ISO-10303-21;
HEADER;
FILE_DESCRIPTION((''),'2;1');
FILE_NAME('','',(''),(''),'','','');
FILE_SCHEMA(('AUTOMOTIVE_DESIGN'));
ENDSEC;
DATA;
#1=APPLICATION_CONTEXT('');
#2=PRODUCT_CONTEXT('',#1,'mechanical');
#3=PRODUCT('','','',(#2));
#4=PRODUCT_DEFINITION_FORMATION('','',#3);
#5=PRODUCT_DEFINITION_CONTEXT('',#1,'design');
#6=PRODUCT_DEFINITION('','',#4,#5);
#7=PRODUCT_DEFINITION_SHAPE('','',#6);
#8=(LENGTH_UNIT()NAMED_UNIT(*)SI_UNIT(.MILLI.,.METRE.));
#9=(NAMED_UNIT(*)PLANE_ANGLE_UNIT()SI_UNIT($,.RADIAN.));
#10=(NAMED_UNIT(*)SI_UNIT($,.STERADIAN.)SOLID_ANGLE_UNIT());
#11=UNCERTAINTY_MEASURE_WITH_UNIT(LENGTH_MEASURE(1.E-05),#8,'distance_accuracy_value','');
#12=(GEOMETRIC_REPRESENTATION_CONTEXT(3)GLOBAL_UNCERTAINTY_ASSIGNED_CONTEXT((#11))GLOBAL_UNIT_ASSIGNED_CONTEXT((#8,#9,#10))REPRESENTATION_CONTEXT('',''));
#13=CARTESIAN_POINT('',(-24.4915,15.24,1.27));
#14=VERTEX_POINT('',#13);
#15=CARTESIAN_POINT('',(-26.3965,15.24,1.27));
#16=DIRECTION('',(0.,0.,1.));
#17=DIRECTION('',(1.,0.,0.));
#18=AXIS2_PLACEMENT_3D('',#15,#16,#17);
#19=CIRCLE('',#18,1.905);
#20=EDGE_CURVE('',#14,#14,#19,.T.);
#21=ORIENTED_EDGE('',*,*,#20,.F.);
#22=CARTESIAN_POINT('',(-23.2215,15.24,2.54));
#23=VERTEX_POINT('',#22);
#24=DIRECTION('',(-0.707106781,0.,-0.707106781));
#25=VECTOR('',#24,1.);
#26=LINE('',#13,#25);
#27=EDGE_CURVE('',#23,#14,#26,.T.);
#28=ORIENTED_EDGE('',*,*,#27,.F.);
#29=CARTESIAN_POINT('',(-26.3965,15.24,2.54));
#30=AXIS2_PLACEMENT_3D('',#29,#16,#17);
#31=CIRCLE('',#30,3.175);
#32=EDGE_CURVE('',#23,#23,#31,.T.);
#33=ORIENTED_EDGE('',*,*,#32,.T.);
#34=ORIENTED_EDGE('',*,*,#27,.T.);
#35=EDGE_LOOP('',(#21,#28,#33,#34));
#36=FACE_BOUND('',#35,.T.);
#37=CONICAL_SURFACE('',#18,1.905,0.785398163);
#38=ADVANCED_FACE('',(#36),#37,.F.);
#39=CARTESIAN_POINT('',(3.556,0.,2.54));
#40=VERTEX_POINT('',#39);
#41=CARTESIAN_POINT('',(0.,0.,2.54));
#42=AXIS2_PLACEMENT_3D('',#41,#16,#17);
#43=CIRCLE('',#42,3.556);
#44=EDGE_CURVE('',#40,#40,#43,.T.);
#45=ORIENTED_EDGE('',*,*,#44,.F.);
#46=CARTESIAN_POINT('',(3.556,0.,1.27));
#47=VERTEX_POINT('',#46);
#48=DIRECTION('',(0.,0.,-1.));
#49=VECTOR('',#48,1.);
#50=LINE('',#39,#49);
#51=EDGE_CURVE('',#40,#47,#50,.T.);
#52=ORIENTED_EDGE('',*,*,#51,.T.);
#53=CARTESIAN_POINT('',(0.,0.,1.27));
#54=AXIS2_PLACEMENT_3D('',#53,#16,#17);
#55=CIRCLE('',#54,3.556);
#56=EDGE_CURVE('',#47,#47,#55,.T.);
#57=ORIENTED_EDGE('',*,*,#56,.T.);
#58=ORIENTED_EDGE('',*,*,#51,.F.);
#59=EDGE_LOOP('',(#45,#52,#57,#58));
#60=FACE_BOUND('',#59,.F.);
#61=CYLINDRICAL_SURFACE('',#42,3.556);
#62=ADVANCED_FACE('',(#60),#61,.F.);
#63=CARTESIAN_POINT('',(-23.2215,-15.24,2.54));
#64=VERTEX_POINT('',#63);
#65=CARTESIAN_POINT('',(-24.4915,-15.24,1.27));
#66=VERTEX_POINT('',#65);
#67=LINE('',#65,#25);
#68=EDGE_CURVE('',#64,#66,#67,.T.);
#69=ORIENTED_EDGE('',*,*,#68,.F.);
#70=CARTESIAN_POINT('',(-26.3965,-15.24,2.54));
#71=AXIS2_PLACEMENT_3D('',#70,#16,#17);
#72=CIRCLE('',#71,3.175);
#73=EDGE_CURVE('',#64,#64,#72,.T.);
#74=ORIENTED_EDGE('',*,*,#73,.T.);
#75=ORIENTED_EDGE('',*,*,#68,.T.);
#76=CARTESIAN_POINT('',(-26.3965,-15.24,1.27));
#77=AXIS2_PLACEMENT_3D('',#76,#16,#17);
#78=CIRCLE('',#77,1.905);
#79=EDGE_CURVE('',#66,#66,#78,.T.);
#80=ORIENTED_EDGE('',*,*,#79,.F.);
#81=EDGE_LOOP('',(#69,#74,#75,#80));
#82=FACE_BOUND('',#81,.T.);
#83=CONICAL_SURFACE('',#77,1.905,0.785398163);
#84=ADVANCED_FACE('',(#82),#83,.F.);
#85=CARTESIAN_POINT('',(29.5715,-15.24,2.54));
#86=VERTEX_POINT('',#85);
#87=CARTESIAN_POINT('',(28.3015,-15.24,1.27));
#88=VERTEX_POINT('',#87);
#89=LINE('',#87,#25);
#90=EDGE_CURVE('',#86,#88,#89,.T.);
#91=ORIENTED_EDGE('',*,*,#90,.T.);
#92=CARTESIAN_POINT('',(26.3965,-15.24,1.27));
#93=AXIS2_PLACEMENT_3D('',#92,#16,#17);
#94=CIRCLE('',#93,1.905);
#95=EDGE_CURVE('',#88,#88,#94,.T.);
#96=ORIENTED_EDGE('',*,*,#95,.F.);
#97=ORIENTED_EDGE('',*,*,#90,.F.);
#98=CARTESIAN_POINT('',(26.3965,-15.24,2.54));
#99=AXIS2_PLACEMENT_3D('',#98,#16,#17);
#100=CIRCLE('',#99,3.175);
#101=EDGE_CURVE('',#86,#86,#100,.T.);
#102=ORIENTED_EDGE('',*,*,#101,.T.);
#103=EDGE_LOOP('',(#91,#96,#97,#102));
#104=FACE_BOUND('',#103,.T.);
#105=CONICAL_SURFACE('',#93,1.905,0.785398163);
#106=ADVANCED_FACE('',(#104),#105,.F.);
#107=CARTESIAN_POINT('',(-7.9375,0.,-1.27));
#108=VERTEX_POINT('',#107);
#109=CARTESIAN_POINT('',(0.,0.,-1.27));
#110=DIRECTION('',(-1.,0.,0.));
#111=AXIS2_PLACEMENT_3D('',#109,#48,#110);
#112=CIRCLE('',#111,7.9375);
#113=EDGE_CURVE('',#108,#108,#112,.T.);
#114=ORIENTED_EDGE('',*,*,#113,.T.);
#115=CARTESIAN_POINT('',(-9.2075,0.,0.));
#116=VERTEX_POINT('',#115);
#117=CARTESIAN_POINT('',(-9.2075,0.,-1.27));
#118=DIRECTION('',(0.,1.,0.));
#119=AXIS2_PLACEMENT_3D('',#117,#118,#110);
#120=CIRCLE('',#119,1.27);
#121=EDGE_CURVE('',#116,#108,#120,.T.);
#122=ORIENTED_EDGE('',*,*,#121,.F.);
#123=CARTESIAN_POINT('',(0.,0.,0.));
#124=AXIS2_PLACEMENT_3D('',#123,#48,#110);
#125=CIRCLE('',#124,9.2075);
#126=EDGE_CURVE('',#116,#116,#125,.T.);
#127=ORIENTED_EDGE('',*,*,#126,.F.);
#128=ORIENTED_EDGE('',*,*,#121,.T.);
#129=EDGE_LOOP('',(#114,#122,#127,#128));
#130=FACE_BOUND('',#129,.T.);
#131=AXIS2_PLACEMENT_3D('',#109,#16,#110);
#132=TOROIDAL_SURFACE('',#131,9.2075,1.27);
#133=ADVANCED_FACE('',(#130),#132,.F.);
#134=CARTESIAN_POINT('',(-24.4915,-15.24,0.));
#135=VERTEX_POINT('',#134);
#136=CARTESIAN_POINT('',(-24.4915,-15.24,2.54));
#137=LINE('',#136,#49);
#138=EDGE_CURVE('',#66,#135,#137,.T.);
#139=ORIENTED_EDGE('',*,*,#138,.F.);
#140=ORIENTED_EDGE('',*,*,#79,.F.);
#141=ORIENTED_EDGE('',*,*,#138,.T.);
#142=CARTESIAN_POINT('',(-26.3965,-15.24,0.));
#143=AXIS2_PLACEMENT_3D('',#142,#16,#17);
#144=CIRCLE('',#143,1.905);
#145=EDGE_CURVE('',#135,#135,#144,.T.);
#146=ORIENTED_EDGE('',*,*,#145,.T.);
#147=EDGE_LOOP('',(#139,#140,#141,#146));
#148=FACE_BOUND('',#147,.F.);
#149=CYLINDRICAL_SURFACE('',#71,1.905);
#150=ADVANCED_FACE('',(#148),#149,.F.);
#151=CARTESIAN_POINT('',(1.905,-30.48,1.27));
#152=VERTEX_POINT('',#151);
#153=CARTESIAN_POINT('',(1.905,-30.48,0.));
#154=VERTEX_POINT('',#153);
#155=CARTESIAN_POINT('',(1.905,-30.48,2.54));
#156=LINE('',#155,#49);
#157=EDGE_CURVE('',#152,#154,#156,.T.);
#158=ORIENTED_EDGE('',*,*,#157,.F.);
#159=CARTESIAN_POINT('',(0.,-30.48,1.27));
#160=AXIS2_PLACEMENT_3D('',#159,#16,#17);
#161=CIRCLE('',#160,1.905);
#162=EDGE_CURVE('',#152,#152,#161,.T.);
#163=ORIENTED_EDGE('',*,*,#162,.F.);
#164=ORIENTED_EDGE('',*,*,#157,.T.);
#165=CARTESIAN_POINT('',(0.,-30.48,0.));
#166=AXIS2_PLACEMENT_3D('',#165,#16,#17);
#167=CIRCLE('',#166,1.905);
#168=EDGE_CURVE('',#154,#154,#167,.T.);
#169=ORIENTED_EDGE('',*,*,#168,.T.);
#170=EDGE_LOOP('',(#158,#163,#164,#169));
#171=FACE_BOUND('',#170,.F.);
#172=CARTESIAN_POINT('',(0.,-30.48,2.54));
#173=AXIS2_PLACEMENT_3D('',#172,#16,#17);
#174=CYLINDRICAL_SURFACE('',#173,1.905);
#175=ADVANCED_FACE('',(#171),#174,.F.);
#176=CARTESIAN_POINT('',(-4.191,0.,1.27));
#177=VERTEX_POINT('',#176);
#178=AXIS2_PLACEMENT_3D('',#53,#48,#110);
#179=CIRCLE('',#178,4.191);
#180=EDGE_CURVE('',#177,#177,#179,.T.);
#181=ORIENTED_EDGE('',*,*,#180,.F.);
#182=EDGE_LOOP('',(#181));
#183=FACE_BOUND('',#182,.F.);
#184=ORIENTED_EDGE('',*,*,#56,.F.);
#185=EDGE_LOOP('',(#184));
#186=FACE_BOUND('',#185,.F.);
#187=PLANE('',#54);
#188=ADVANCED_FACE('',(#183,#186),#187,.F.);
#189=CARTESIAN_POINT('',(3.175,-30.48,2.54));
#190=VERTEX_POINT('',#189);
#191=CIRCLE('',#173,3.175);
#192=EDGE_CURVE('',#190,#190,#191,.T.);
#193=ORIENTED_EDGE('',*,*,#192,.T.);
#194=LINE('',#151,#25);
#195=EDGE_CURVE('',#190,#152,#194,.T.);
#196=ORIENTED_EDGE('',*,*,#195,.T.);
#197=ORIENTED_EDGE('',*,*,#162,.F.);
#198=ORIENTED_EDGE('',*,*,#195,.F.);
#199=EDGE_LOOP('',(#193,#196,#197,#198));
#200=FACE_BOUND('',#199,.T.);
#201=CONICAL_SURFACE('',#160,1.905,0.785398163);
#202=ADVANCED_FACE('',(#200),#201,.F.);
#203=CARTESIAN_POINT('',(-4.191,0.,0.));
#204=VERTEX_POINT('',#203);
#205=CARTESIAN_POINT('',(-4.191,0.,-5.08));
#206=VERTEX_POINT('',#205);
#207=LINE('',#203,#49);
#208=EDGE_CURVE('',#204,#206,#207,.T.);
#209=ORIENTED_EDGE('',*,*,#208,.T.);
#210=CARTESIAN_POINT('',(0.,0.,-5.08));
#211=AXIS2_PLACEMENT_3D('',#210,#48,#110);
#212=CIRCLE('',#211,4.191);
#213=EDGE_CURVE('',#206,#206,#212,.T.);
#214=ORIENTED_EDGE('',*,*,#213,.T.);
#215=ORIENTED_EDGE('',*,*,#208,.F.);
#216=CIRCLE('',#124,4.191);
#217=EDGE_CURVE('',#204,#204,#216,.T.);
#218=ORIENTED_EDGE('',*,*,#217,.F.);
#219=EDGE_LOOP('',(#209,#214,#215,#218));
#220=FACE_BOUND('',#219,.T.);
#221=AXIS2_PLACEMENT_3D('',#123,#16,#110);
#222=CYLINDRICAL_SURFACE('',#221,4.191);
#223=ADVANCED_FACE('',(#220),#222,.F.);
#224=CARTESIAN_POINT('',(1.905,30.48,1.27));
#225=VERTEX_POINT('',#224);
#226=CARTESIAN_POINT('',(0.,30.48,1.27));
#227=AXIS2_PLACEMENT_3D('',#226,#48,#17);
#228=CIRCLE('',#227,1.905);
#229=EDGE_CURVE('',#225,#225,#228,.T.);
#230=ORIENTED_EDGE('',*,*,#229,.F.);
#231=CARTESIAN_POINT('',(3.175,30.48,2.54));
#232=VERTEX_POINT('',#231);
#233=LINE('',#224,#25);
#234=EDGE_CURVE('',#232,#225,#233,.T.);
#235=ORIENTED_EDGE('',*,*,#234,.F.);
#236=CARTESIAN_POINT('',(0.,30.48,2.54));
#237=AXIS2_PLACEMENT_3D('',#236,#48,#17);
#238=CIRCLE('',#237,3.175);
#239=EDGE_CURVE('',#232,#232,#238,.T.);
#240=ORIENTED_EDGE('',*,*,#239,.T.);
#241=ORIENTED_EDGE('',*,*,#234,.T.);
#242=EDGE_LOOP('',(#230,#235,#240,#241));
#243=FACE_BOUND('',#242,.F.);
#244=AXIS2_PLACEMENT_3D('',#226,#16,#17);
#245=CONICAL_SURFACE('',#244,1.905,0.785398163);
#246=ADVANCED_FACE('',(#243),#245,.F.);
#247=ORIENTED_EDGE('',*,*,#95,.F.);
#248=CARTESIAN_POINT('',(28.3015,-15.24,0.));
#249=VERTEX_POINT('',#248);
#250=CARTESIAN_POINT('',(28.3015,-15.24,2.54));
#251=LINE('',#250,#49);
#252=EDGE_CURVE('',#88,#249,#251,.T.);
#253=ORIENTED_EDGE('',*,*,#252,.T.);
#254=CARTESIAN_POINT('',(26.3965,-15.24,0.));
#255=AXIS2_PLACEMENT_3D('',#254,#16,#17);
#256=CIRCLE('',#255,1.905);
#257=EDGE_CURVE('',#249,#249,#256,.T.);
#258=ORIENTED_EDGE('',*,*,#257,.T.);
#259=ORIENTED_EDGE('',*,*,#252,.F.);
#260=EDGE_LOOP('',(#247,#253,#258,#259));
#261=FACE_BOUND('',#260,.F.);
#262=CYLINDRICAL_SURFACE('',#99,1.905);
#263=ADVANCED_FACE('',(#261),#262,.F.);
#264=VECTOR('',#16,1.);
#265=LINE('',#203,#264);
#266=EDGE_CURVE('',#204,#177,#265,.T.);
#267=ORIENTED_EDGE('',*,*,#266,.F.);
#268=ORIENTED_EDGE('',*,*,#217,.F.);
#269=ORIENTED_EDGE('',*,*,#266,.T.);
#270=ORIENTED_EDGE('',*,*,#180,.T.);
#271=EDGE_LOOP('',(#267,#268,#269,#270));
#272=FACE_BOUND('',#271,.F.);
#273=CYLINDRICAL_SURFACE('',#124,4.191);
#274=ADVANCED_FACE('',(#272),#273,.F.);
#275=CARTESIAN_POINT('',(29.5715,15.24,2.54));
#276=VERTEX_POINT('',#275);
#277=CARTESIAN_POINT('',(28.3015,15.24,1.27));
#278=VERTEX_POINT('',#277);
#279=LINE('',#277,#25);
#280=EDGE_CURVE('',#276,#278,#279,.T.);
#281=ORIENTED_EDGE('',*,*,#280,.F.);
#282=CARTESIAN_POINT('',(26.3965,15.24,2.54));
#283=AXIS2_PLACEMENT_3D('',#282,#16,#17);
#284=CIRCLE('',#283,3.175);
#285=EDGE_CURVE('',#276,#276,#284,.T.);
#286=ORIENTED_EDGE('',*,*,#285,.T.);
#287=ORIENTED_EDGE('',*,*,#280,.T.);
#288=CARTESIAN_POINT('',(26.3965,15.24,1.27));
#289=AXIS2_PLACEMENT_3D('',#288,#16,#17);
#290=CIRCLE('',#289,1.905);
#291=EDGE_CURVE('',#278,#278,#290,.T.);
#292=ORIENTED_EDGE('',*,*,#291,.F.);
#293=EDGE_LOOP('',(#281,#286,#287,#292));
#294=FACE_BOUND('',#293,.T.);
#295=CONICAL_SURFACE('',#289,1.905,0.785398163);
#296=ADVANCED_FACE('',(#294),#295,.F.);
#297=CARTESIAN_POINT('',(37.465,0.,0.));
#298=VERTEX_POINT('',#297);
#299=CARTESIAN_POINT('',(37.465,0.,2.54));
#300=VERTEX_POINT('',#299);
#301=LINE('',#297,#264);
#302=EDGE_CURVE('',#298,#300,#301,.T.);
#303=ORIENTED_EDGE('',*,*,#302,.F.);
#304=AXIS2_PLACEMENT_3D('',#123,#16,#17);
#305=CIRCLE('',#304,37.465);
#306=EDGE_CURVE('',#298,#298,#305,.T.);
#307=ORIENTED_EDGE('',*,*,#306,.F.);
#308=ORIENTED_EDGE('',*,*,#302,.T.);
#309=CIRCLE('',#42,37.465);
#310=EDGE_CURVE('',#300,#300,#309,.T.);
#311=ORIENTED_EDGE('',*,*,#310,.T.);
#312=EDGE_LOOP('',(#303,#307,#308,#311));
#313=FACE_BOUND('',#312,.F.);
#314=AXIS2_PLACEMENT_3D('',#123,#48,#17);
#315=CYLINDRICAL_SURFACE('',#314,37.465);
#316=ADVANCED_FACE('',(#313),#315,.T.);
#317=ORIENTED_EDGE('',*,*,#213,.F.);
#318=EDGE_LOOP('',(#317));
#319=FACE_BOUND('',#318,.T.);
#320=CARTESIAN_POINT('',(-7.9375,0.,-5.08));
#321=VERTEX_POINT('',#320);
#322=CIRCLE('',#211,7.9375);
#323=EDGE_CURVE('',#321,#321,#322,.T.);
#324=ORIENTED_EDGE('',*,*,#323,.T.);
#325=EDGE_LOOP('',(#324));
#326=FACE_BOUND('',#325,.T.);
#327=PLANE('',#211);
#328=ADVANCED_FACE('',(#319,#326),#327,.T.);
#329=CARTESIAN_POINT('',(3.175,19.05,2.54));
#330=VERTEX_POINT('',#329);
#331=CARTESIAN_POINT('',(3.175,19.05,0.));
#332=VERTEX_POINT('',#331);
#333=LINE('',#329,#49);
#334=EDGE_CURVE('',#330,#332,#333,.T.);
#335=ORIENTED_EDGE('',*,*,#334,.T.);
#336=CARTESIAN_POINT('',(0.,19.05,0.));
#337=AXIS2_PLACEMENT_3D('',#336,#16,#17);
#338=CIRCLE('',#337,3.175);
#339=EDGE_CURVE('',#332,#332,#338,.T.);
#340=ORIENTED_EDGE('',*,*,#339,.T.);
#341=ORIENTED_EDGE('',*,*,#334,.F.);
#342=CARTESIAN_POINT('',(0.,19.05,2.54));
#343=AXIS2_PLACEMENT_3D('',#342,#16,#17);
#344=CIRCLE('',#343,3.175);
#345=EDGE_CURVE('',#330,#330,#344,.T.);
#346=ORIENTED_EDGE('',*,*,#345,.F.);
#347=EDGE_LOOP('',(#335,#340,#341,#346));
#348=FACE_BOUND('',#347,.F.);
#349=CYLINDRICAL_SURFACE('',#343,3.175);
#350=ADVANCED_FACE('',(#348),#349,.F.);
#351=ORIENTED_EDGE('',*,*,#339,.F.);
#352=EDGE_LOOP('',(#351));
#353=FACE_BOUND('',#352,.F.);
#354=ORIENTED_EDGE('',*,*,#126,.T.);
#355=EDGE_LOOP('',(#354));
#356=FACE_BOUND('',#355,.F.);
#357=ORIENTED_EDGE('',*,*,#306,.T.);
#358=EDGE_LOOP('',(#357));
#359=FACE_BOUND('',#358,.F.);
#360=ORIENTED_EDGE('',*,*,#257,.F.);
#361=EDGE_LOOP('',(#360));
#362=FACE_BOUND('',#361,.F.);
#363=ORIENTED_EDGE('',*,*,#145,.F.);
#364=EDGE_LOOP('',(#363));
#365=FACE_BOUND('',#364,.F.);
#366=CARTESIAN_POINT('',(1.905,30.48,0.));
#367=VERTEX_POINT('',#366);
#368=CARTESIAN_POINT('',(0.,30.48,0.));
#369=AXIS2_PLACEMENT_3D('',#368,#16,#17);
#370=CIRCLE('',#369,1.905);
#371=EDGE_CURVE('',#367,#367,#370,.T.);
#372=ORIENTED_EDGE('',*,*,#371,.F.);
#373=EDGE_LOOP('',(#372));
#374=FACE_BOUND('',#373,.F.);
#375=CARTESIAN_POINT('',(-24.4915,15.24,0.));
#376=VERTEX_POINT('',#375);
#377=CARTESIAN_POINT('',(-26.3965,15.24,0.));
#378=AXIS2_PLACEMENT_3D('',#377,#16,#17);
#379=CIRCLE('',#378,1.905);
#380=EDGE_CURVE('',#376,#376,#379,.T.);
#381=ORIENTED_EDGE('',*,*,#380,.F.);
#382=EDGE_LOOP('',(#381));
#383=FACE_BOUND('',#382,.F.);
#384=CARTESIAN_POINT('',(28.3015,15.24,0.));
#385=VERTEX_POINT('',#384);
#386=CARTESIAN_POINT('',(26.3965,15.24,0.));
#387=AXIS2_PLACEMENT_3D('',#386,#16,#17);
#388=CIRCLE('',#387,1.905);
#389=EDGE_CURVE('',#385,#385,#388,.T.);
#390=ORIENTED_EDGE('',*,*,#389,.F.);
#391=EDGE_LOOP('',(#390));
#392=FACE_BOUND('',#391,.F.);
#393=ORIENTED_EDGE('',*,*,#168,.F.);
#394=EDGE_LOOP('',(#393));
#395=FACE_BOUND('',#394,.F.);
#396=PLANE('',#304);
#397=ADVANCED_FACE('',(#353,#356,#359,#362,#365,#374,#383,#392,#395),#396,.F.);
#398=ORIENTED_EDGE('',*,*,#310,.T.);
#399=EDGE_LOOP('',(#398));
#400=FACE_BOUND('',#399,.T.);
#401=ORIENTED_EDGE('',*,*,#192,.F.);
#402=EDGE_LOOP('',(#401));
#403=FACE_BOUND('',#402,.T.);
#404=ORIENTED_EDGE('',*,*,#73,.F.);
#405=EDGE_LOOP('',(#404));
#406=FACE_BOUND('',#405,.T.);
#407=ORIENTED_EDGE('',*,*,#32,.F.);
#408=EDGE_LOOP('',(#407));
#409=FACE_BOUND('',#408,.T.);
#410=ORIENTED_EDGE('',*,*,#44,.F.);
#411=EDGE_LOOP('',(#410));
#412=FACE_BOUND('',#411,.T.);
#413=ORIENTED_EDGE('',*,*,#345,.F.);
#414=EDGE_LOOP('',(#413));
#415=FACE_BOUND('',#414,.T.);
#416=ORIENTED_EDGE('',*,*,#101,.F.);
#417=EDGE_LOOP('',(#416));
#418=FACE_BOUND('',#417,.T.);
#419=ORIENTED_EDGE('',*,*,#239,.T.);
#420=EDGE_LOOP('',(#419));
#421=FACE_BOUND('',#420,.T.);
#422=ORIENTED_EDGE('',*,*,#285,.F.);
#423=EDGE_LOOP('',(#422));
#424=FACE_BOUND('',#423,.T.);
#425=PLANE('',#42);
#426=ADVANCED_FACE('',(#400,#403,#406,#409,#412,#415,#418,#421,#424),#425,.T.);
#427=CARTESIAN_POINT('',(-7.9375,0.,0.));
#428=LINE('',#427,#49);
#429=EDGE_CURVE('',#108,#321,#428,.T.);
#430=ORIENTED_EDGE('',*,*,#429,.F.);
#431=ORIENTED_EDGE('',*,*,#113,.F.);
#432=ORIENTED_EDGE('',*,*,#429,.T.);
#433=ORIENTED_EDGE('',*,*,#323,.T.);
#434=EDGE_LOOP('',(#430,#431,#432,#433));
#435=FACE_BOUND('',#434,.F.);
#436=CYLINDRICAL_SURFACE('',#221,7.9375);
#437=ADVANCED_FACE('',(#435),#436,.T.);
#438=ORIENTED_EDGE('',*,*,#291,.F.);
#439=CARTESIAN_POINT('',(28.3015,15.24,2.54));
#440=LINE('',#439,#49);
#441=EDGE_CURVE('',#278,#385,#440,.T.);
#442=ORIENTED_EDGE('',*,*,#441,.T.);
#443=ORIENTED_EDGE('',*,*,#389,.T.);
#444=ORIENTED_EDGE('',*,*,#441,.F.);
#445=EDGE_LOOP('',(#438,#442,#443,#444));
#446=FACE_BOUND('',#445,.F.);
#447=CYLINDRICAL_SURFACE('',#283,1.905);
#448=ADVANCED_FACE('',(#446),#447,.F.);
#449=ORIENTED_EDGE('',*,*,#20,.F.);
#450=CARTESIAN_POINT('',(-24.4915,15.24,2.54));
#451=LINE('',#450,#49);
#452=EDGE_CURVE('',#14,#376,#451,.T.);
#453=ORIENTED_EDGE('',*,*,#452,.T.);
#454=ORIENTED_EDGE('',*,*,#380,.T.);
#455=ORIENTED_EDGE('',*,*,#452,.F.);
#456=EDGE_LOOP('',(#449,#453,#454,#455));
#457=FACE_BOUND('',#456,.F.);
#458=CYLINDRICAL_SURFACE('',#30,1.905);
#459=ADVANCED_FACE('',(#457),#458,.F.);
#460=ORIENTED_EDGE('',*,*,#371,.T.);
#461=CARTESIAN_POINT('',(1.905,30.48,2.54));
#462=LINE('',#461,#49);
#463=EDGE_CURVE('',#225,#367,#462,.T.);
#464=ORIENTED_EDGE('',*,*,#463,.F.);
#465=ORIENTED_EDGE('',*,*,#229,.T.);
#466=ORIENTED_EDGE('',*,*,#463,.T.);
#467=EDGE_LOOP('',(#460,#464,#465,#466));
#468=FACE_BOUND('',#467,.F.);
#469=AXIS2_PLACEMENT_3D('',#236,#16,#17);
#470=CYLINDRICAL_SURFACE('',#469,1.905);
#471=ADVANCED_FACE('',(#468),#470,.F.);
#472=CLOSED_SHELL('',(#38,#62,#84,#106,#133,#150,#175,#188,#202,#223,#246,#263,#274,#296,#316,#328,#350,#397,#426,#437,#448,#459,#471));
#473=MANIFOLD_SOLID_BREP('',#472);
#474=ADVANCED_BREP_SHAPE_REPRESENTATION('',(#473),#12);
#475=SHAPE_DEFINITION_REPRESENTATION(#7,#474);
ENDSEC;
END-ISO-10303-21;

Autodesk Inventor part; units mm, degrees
ref_plane "YZ Plane" through (0, 0, 0) normal (1, 0, 0) x (0, 1, 0)
ref_plane "XZ Plane" through (0, 0, 0) normal (0, 1, 0) x (-1, 0, 0)
ref_plane "XY Plane" through (0, 0, 0) normal (0, 0, 1) x (1, 0, 0)
sketch "Sketch1" plane through (0, 0, 0) normal (0, 0, 1) x (1, 0, 0)
  circle A0 centre (0, 0) radius 37.465
  dimension "d0" = 74.93
extrude "Extrusion1" add sketch "Sketch1" along normal blind 2.54
sketch "Sketch3" plane through (0, 0, 0) normal (0, 0, -1) x (-1, 0, 0)
  circle A0 centre (0, 0) radius 4.191
  circle A1 centre (0, 0) radius 7.9375
  circle A2 centre (0, 0) radius 2.3813
  dimension "d4" = 8.382
  dimension "d5" = 15.875
  dimension "d6" = 4.7625
extrude "Extrusion3" cut sketch "Sketch3" against normal through all contours A0 | A2
extrude "Extrusion4" add sketch "Sketch3" along normal blind 5.08 contours A1
sketch "Sketch4" plane through (0, 0, 2.54) normal (0, 0, 1) x (1, 0, 0)
  line L0 (0, 0) -> (0, 30.48)
  circle A0 centre (0, 30.48) radius 1.905
  circle A1 centre (-26.3965, 15.24) radius 1.905
  circle A2 centre (-26.3965, -15.24) radius 1.905
  circle A3 centre (0, -30.48) radius 1.905
  circle A4 centre (26.3965, -15.24) radius 1.905
  circle A5 centre (26.3965, 15.24) radius 1.905
  dimension "d13" = 30.48
  dimension "d14" = 3.81
  dimension "d17" = 360
extrude "Extrusion5" cut sketch "Sketch4" against normal blind 25.4
sketch "Sketch6" plane through (0, 0, 2.54) normal (0, 0, 1) x (1, 0, 0)
  circle A0 centre (0, 0) radius 3.556
  circle A1 centre (0, 0) radius 4.191 projected
  dimension "d21" = 7.112
extrude "Extrusion6" add sketch "Sketch6" against normal blind 1.27
chamfer "Chamfer1" distance 1.27 angle 45 6 edges at (-28.3015, -15.24, 2.54) (-28.3015, 15.24, 2.54) (-1.905, 30.48, 2.54) (-1.905, -30.48, 2.54) (24.4915, -15.24, 2.54) (24.4915, 15.24, 2.54)
sketch "Sketch7" plane through (0, 0, 2.54) normal (0, 0, 1) x (1, 0, 0)
  circle A0 centre (0, 19.05) radius 3.175
  point P0 (0, 0)
  dimension "d27" = 6.35
  dimension "d28" = 19.05
extrude "Extrusion7" cut sketch "Sketch7" against normal through all
fillet "Fillet1" radius 1.27 1 edges at (7.9375, 0, 0)
properties part number "SpoolEndFrontSide"
